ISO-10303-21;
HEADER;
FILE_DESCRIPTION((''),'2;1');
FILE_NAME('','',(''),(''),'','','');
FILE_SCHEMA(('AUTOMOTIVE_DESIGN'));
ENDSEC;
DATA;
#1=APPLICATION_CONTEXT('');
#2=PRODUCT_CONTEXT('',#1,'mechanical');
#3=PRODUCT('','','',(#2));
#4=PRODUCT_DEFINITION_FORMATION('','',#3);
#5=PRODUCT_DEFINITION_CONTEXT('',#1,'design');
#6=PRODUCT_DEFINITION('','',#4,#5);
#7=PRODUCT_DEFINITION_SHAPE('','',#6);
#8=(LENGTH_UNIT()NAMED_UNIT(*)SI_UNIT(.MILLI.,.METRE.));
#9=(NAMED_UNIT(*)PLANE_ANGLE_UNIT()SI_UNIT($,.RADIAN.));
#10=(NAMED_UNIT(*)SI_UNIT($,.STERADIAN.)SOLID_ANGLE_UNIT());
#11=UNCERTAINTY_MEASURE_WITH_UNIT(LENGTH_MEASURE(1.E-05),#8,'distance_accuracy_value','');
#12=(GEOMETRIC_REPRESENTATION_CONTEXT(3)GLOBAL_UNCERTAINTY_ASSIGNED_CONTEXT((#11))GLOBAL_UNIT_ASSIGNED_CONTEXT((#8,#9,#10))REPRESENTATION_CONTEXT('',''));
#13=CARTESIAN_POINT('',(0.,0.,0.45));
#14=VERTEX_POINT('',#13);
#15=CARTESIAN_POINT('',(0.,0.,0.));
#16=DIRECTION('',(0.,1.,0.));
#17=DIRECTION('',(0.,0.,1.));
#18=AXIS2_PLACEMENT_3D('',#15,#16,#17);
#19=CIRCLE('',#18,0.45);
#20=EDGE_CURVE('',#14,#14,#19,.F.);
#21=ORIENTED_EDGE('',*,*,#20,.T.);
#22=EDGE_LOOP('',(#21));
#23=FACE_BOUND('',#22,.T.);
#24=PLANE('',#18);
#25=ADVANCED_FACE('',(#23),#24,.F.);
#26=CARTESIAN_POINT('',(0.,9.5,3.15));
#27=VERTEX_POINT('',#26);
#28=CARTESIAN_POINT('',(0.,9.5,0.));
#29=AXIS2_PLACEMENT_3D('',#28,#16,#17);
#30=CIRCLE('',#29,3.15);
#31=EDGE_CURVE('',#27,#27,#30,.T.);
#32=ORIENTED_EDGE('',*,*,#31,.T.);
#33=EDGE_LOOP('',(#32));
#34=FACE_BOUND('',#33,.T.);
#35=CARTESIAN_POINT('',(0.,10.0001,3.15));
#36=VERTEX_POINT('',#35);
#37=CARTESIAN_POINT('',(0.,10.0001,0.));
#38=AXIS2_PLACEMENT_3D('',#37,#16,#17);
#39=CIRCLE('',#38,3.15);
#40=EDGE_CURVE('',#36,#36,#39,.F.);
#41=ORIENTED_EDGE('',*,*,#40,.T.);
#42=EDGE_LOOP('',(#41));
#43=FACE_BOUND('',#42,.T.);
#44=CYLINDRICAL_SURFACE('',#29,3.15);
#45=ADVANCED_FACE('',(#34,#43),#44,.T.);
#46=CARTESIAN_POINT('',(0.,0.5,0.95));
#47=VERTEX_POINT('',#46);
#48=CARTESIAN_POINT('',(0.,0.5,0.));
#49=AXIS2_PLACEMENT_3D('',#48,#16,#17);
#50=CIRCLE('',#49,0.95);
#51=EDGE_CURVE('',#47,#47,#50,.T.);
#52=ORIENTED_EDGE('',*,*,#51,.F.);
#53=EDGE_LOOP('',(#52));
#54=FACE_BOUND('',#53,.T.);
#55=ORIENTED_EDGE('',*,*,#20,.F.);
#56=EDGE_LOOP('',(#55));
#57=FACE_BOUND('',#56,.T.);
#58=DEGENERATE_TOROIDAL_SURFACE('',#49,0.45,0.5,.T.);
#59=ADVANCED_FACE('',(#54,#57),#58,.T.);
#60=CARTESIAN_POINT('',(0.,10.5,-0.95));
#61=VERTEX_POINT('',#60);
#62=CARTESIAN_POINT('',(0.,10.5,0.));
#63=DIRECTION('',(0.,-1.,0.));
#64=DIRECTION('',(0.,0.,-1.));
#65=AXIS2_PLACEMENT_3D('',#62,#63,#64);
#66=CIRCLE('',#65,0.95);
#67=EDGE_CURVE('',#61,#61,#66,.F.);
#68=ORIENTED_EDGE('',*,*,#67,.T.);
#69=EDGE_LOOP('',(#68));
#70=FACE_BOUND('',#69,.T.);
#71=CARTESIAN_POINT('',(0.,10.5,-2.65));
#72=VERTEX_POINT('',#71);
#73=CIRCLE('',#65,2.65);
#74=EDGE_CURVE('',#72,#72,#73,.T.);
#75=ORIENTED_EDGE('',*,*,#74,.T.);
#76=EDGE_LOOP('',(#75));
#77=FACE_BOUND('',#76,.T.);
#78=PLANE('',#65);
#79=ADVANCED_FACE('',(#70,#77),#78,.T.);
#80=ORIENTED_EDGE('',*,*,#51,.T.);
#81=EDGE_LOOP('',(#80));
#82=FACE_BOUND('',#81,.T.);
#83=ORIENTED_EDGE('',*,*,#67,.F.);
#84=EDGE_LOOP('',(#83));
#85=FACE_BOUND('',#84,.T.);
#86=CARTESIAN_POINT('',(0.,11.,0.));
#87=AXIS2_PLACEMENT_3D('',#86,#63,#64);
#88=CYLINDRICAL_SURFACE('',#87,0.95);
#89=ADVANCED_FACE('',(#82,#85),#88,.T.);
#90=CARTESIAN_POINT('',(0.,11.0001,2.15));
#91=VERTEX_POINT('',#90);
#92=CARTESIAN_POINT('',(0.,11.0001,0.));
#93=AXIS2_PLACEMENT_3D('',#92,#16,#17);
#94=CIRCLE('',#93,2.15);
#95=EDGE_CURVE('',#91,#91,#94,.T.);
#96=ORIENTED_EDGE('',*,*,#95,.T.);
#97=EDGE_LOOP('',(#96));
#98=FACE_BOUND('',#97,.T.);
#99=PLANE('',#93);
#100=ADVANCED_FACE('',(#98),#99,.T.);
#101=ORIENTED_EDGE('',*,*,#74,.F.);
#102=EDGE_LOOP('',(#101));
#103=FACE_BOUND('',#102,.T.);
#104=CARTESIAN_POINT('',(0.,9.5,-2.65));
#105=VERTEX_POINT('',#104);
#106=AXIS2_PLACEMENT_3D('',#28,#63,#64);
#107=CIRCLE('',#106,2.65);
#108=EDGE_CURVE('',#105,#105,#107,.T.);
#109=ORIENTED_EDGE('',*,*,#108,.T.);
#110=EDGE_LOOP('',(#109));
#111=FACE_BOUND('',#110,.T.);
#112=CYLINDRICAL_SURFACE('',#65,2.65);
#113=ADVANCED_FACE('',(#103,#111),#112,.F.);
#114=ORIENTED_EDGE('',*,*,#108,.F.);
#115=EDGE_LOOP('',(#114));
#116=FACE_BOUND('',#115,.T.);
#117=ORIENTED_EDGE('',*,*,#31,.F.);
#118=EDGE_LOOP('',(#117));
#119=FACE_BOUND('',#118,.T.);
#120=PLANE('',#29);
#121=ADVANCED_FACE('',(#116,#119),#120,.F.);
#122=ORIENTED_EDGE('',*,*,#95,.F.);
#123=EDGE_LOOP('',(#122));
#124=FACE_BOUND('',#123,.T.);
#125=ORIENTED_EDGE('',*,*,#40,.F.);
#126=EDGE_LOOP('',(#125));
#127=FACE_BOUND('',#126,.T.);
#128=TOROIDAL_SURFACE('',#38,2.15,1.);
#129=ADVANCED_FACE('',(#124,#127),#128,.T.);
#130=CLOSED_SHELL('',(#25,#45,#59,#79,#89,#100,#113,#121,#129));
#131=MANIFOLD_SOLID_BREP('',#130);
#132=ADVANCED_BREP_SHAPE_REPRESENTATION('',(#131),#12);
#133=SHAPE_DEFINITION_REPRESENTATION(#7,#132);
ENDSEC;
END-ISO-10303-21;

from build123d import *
from build123d.topology import SkipClean

# Parameters (mm, degrees)
CROQUIS1_R                   = 0.95
SALIENTE_EXTRUIR1_DEPTH      = 11
SALIENTE_EXTRUIR2_DEPTH      = 0.0001
SALIENTE_EXTRUIR2_DEPTH_BACK = 1.5
CROQUIS2_R                   = 3.15
REDONDEO3_R                  = 0.5
REDONDEO5_R                  = 1
CROQUIS4_R                   = 2.65
CROQUIS4_R_2                 = 0.95
CORTAR_EXTRUIR4_DEPTH        = 1


with BuildPart() as part:
    # Croquis1 → Saliente-Extruir1 (new body)
    with BuildSketch(Plane(origin=(0, 0, 0), x_dir=(1, 0, 0), z_dir=(0, 1, 0))):
        with Locations(Location((0, 0, 0), (0, 0, 270))):
            Circle(CROQUIS1_R)
    extrude(amount=SALIENTE_EXTRUIR1_DEPTH)

    # Croquis2 → Saliente-Extruir2 (add, two sides: drawn at the far end of the back side and taken through both)
    with BuildSketch(Plane(origin=(0, 11, 0), x_dir=(1, 0, 0), z_dir=(0, 1, 0)).offset(-SALIENTE_EXTRUIR2_DEPTH_BACK)):
        with Locations(Location((0, 0, 0), (0, 0, 270))):
            Circle(CROQUIS2_R)
    extrude(amount=SALIENTE_EXTRUIR2_DEPTH + SALIENTE_EXTRUIR2_DEPTH_BACK)

    # Redondeo3
    redondeo3_edges = [part.edges().sort_by_distance(p)[0] for p in [
        (0, 0, -0.95),
    ]]
    fillet(redondeo3_edges, radius=REDONDEO3_R)

    # Redondeo5
    redondeo5_edges = [part.edges().sort_by_distance(p)[0] for p in [
        (0, 11.0001, -3.15),
    ]]
    fillet(redondeo5_edges, radius=REDONDEO5_R)

    # Croquis4 → Cortar-Extruir4 (cut)
    with SkipClean():  # the faces are left unmerged after this step: merging them gives an invalid solid
        with BuildSketch(Plane(origin=(0, 9.5, 0), x_dir=(-1, 0, 0), z_dir=(0, -1, 0))):
            with Locations(Location((0, 0, 0), (0, 0, 90))):
                Circle(CROQUIS4_R)
            with Locations(Location((0, 0, 0), (0, 0, 90))):
                Circle(CROQUIS4_R_2, mode=Mode.SUBTRACT)
        extrude(amount=-CORTAR_EXTRUIR4_DEPTH, mode=Mode.SUBTRACT)


solid = part.part
